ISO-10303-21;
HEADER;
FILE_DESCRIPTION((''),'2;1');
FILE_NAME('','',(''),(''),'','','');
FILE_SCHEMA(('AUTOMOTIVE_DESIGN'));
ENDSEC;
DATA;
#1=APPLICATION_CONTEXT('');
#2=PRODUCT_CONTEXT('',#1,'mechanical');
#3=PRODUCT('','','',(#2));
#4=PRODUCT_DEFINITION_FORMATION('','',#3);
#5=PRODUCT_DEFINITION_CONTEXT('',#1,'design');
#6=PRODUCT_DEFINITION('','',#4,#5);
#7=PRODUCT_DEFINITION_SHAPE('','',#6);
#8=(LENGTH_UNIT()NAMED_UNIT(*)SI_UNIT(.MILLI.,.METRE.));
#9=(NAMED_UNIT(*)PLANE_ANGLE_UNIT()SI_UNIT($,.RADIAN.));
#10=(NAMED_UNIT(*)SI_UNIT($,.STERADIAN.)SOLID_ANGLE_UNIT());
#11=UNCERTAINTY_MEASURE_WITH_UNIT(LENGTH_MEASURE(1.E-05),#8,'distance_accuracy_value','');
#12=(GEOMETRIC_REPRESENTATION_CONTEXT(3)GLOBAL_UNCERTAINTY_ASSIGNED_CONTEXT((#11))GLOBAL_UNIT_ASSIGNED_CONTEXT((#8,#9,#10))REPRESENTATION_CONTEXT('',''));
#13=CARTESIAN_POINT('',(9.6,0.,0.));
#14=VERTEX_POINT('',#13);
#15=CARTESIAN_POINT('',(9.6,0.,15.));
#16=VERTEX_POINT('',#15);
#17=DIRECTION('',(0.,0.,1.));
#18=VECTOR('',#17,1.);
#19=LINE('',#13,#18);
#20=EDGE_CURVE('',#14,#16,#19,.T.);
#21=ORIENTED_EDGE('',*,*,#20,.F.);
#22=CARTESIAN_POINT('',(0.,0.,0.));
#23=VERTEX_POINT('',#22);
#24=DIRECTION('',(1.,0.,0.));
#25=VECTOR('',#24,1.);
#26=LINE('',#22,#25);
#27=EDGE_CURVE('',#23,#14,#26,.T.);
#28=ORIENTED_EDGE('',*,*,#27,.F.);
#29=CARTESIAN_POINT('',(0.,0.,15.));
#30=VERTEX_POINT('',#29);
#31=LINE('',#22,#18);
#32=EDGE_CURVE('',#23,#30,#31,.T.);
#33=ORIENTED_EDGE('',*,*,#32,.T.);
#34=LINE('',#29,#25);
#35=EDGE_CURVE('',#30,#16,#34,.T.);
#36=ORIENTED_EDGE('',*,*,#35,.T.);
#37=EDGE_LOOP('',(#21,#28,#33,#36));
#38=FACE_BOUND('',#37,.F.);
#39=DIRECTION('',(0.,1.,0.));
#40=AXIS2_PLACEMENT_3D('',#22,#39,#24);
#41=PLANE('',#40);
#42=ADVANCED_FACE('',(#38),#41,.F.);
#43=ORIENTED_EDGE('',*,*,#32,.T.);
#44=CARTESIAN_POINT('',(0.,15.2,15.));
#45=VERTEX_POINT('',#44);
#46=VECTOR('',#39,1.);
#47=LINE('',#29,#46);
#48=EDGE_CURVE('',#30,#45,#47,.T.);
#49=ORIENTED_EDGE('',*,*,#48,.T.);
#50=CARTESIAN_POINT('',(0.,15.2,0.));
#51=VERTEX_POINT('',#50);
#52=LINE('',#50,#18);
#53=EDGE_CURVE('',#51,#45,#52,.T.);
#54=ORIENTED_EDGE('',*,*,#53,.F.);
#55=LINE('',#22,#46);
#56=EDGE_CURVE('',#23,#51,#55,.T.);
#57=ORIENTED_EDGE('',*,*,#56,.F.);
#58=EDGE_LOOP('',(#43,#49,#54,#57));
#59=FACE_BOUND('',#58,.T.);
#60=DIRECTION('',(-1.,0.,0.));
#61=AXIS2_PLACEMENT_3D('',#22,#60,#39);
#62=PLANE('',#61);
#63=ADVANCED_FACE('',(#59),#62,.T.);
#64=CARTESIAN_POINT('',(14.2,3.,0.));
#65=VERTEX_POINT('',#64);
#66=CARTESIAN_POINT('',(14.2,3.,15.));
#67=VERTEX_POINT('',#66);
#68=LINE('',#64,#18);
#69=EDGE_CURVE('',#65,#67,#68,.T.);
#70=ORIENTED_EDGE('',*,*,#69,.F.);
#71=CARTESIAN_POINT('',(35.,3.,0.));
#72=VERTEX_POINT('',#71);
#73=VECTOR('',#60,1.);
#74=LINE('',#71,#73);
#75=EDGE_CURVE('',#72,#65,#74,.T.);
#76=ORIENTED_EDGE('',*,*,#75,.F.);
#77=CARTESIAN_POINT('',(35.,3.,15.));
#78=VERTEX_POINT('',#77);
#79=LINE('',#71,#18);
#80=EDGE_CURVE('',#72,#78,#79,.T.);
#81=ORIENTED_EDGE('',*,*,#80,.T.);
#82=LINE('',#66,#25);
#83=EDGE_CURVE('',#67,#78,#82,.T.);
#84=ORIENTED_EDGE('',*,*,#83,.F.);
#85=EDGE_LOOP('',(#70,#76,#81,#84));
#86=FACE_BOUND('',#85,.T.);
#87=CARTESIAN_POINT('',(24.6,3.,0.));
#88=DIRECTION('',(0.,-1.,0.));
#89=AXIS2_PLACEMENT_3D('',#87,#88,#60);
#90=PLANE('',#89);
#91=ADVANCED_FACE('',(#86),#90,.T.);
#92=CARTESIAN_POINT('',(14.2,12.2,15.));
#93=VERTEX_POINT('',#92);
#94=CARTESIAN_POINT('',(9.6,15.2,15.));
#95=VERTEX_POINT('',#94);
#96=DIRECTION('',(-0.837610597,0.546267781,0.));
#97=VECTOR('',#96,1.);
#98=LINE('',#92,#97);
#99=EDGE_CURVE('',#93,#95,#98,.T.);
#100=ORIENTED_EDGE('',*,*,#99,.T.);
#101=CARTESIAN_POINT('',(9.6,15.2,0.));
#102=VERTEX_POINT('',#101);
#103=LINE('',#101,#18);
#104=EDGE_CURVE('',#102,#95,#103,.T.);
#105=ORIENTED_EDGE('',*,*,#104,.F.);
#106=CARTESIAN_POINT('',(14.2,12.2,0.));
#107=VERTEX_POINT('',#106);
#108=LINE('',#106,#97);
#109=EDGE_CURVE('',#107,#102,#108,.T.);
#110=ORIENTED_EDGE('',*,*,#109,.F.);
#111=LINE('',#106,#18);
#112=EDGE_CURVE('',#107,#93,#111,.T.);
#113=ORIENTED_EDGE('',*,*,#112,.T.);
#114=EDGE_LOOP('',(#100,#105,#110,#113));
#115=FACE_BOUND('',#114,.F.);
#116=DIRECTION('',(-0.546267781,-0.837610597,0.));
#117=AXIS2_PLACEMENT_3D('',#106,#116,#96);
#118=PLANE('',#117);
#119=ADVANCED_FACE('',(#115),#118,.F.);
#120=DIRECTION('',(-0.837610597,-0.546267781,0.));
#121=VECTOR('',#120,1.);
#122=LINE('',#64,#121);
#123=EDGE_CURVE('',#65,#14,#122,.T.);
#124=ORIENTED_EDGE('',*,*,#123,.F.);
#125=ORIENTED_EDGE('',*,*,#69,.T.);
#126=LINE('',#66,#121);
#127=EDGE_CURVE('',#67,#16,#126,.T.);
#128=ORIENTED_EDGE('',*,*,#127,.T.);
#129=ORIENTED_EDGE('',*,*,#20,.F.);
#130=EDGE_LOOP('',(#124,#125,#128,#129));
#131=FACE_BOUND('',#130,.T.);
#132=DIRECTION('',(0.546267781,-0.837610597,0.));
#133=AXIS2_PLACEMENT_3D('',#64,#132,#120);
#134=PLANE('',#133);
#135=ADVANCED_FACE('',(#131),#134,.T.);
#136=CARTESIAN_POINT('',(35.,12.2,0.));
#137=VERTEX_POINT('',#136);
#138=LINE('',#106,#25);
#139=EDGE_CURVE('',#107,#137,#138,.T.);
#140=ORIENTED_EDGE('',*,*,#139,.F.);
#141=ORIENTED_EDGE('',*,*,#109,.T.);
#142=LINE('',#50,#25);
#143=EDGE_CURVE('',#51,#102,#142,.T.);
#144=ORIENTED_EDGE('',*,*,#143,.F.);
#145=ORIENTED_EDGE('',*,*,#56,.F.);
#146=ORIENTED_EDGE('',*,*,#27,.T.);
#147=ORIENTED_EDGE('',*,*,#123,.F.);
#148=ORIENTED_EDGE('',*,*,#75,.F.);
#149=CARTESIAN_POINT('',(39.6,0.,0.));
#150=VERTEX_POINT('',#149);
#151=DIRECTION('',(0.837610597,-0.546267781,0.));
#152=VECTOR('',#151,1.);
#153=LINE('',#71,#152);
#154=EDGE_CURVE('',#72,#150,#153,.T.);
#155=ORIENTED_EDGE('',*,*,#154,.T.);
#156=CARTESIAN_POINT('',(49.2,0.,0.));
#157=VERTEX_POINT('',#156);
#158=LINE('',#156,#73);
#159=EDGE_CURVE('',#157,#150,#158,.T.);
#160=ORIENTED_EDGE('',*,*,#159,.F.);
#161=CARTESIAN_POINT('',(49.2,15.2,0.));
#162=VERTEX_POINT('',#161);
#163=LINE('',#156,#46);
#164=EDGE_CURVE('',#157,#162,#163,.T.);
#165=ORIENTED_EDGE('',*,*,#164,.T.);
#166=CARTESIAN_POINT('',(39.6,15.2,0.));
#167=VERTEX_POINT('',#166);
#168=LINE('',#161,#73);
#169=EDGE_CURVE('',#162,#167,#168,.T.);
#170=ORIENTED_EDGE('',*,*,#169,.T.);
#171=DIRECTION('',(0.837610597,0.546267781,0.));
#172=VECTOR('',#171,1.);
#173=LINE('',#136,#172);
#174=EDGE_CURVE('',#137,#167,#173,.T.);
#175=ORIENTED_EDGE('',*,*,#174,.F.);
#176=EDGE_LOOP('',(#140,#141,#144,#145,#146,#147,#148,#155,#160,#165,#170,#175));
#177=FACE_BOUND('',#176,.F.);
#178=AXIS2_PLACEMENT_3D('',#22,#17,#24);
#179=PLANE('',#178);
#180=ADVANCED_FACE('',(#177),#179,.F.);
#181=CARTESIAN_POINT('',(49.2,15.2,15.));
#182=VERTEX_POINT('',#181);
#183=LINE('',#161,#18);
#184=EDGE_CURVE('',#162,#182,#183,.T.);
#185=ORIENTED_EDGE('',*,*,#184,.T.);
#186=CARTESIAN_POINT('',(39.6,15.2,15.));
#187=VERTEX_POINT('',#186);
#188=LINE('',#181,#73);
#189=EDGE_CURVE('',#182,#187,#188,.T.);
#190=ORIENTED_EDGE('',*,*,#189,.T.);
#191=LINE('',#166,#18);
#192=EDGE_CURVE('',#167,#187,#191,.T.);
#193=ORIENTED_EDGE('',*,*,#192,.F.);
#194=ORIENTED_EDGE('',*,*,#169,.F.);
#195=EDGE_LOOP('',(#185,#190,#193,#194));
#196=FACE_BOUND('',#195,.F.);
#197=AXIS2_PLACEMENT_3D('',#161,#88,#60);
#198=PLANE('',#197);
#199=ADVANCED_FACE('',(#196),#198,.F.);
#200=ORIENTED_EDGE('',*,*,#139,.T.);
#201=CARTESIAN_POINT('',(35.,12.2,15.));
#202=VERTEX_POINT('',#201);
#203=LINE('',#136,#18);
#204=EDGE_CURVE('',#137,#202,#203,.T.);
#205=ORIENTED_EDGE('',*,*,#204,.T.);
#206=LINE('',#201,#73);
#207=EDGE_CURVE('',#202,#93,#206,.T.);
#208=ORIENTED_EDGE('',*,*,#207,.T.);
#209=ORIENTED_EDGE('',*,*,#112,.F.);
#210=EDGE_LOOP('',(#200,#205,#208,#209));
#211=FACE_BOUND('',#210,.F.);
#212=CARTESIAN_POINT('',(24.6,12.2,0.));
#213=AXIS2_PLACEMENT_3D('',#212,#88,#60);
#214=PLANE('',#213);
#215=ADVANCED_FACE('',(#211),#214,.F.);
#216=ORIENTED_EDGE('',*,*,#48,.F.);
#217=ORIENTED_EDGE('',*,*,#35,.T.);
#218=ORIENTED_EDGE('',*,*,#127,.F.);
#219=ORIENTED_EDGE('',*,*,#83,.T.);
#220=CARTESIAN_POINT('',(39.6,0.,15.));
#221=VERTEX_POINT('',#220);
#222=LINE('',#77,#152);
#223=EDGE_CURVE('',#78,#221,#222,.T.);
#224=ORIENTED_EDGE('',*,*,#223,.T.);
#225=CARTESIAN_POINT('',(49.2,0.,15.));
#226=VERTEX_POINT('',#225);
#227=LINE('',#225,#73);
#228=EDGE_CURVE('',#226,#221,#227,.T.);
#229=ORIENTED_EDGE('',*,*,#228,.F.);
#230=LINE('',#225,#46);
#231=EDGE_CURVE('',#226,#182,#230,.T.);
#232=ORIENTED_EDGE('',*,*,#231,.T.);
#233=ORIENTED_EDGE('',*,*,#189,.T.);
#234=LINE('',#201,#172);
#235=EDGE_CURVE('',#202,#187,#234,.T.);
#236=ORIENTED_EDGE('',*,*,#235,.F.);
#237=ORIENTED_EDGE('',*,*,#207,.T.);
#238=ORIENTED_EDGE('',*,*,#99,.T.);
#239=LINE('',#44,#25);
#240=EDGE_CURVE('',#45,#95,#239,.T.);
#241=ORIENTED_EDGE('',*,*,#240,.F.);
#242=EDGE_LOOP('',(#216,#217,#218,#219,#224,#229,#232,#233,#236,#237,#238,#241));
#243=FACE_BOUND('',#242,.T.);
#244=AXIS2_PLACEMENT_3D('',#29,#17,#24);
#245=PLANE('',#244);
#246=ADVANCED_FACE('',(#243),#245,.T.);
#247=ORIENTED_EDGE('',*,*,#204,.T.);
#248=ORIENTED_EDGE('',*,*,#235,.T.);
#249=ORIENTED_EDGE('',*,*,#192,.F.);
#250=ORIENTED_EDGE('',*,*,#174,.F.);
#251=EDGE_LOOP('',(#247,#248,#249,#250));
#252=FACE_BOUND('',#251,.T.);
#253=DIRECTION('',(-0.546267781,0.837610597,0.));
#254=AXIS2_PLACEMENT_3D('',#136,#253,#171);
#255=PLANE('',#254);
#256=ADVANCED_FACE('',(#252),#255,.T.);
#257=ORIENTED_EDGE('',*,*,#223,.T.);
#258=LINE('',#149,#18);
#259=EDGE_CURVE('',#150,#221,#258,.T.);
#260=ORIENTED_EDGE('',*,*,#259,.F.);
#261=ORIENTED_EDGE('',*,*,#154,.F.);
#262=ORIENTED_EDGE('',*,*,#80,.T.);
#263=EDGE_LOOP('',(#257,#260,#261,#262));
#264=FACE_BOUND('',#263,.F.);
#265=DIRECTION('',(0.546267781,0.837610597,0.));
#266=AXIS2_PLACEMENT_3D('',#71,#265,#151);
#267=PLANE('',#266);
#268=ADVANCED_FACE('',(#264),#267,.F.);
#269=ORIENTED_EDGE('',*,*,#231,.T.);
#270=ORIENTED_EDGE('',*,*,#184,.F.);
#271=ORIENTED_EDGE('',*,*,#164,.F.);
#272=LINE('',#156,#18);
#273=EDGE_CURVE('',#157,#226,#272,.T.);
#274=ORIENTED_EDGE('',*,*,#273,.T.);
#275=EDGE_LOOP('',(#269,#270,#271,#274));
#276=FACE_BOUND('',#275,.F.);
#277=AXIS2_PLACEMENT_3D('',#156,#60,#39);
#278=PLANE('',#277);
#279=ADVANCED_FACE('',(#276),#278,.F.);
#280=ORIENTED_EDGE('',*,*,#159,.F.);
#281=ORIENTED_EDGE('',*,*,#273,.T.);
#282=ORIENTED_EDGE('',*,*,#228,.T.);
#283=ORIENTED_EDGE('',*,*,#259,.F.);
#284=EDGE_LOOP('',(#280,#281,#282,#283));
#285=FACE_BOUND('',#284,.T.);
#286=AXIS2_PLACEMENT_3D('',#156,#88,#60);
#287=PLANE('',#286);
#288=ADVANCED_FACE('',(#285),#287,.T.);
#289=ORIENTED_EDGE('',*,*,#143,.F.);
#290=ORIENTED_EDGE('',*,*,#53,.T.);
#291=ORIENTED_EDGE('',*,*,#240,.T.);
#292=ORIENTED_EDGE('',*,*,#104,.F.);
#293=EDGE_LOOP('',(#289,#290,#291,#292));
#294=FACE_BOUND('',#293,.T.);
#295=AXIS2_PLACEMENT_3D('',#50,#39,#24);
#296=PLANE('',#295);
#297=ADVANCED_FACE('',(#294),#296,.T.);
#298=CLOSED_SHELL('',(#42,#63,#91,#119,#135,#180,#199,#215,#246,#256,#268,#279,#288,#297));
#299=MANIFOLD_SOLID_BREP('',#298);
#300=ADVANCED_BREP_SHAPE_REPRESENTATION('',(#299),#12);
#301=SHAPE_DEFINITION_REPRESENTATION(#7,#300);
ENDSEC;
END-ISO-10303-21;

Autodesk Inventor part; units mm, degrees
ref_plane "YZ Plane" through (0, 0, 0) normal (1, 0, 0) x (0, 1, 0)
ref_plane "XZ Plane" through (0, 0, 0) normal (0, 1, 0) x (-1, 0, 0)
ref_plane "XY Plane" through (0, 0, 0) normal (0, 0, 1) x (1, 0, 0)
sketch "Boceto1" plane through (0, 0, 0) normal (0, 0, 1) x (1, 0, 0)
  line L0 (0, 0) -> (0, 15.2)
  line L1 (0, 15.2) -> (9.6, 15.2)
  line L2 (0, 0) -> (9.6, 0)
  line L3 (9.6, 0) -> (14.6, 0) construction
  line L4 (14.6, 0) -> (24.6, 0) construction
  line L5 (24.6, 0) -> (24.6, 3) construction
  line L6 (24.6, 3) -> (14.2, 3)
  line L7 (14.2, 3) -> (9.6, 0)
  line L8 (24.6, 3) -> (24.6, 12.2)
  line L9 (24.6, 12.2) -> (14.2, 12.2)
  line L10 (14.2, 12.2) -> (9.6, 15.2)
  line L11 (49.2, 0) -> (49.2, 15.2)
  line L12 (49.2, 15.2) -> (39.6, 15.2)
  line L13 (49.2, 0) -> (39.6, 0)
  line L14 (39.6, 0) -> (34.6, 0) construction
  line L15 (34.6, 0) -> (24.6, 0) construction
  line L16 (24.6, 3) -> (35, 3)
  line L17 (35, 3) -> (39.6, 0)
  line L18 (24.6, 12.2) -> (35, 12.2)
  line L19 (35, 12.2) -> (39.6, 15.2)
  dimension "d0" = 15.2
  dimension "d1" = 9.6
  dimension "d2" = 9.6
  dimension "d3" = 5
  dimension "d4" = 10
  dimension "d5" = 3
  dimension "d6" = 10.4
  dimension "d7" = 9.2
  dimension "d8" = 10.4
extrude "Extrusión1" add sketch "Boceto1" along normal blind 15
equation "\"d4\" = Largo_seccion"
equation "\"d5\" = Espesor_centro"
equation "\"Largo_seccion\" = 10"
equation "\"Espesor_centro\" = 3"
properties part number "Spline_parametrizado"
